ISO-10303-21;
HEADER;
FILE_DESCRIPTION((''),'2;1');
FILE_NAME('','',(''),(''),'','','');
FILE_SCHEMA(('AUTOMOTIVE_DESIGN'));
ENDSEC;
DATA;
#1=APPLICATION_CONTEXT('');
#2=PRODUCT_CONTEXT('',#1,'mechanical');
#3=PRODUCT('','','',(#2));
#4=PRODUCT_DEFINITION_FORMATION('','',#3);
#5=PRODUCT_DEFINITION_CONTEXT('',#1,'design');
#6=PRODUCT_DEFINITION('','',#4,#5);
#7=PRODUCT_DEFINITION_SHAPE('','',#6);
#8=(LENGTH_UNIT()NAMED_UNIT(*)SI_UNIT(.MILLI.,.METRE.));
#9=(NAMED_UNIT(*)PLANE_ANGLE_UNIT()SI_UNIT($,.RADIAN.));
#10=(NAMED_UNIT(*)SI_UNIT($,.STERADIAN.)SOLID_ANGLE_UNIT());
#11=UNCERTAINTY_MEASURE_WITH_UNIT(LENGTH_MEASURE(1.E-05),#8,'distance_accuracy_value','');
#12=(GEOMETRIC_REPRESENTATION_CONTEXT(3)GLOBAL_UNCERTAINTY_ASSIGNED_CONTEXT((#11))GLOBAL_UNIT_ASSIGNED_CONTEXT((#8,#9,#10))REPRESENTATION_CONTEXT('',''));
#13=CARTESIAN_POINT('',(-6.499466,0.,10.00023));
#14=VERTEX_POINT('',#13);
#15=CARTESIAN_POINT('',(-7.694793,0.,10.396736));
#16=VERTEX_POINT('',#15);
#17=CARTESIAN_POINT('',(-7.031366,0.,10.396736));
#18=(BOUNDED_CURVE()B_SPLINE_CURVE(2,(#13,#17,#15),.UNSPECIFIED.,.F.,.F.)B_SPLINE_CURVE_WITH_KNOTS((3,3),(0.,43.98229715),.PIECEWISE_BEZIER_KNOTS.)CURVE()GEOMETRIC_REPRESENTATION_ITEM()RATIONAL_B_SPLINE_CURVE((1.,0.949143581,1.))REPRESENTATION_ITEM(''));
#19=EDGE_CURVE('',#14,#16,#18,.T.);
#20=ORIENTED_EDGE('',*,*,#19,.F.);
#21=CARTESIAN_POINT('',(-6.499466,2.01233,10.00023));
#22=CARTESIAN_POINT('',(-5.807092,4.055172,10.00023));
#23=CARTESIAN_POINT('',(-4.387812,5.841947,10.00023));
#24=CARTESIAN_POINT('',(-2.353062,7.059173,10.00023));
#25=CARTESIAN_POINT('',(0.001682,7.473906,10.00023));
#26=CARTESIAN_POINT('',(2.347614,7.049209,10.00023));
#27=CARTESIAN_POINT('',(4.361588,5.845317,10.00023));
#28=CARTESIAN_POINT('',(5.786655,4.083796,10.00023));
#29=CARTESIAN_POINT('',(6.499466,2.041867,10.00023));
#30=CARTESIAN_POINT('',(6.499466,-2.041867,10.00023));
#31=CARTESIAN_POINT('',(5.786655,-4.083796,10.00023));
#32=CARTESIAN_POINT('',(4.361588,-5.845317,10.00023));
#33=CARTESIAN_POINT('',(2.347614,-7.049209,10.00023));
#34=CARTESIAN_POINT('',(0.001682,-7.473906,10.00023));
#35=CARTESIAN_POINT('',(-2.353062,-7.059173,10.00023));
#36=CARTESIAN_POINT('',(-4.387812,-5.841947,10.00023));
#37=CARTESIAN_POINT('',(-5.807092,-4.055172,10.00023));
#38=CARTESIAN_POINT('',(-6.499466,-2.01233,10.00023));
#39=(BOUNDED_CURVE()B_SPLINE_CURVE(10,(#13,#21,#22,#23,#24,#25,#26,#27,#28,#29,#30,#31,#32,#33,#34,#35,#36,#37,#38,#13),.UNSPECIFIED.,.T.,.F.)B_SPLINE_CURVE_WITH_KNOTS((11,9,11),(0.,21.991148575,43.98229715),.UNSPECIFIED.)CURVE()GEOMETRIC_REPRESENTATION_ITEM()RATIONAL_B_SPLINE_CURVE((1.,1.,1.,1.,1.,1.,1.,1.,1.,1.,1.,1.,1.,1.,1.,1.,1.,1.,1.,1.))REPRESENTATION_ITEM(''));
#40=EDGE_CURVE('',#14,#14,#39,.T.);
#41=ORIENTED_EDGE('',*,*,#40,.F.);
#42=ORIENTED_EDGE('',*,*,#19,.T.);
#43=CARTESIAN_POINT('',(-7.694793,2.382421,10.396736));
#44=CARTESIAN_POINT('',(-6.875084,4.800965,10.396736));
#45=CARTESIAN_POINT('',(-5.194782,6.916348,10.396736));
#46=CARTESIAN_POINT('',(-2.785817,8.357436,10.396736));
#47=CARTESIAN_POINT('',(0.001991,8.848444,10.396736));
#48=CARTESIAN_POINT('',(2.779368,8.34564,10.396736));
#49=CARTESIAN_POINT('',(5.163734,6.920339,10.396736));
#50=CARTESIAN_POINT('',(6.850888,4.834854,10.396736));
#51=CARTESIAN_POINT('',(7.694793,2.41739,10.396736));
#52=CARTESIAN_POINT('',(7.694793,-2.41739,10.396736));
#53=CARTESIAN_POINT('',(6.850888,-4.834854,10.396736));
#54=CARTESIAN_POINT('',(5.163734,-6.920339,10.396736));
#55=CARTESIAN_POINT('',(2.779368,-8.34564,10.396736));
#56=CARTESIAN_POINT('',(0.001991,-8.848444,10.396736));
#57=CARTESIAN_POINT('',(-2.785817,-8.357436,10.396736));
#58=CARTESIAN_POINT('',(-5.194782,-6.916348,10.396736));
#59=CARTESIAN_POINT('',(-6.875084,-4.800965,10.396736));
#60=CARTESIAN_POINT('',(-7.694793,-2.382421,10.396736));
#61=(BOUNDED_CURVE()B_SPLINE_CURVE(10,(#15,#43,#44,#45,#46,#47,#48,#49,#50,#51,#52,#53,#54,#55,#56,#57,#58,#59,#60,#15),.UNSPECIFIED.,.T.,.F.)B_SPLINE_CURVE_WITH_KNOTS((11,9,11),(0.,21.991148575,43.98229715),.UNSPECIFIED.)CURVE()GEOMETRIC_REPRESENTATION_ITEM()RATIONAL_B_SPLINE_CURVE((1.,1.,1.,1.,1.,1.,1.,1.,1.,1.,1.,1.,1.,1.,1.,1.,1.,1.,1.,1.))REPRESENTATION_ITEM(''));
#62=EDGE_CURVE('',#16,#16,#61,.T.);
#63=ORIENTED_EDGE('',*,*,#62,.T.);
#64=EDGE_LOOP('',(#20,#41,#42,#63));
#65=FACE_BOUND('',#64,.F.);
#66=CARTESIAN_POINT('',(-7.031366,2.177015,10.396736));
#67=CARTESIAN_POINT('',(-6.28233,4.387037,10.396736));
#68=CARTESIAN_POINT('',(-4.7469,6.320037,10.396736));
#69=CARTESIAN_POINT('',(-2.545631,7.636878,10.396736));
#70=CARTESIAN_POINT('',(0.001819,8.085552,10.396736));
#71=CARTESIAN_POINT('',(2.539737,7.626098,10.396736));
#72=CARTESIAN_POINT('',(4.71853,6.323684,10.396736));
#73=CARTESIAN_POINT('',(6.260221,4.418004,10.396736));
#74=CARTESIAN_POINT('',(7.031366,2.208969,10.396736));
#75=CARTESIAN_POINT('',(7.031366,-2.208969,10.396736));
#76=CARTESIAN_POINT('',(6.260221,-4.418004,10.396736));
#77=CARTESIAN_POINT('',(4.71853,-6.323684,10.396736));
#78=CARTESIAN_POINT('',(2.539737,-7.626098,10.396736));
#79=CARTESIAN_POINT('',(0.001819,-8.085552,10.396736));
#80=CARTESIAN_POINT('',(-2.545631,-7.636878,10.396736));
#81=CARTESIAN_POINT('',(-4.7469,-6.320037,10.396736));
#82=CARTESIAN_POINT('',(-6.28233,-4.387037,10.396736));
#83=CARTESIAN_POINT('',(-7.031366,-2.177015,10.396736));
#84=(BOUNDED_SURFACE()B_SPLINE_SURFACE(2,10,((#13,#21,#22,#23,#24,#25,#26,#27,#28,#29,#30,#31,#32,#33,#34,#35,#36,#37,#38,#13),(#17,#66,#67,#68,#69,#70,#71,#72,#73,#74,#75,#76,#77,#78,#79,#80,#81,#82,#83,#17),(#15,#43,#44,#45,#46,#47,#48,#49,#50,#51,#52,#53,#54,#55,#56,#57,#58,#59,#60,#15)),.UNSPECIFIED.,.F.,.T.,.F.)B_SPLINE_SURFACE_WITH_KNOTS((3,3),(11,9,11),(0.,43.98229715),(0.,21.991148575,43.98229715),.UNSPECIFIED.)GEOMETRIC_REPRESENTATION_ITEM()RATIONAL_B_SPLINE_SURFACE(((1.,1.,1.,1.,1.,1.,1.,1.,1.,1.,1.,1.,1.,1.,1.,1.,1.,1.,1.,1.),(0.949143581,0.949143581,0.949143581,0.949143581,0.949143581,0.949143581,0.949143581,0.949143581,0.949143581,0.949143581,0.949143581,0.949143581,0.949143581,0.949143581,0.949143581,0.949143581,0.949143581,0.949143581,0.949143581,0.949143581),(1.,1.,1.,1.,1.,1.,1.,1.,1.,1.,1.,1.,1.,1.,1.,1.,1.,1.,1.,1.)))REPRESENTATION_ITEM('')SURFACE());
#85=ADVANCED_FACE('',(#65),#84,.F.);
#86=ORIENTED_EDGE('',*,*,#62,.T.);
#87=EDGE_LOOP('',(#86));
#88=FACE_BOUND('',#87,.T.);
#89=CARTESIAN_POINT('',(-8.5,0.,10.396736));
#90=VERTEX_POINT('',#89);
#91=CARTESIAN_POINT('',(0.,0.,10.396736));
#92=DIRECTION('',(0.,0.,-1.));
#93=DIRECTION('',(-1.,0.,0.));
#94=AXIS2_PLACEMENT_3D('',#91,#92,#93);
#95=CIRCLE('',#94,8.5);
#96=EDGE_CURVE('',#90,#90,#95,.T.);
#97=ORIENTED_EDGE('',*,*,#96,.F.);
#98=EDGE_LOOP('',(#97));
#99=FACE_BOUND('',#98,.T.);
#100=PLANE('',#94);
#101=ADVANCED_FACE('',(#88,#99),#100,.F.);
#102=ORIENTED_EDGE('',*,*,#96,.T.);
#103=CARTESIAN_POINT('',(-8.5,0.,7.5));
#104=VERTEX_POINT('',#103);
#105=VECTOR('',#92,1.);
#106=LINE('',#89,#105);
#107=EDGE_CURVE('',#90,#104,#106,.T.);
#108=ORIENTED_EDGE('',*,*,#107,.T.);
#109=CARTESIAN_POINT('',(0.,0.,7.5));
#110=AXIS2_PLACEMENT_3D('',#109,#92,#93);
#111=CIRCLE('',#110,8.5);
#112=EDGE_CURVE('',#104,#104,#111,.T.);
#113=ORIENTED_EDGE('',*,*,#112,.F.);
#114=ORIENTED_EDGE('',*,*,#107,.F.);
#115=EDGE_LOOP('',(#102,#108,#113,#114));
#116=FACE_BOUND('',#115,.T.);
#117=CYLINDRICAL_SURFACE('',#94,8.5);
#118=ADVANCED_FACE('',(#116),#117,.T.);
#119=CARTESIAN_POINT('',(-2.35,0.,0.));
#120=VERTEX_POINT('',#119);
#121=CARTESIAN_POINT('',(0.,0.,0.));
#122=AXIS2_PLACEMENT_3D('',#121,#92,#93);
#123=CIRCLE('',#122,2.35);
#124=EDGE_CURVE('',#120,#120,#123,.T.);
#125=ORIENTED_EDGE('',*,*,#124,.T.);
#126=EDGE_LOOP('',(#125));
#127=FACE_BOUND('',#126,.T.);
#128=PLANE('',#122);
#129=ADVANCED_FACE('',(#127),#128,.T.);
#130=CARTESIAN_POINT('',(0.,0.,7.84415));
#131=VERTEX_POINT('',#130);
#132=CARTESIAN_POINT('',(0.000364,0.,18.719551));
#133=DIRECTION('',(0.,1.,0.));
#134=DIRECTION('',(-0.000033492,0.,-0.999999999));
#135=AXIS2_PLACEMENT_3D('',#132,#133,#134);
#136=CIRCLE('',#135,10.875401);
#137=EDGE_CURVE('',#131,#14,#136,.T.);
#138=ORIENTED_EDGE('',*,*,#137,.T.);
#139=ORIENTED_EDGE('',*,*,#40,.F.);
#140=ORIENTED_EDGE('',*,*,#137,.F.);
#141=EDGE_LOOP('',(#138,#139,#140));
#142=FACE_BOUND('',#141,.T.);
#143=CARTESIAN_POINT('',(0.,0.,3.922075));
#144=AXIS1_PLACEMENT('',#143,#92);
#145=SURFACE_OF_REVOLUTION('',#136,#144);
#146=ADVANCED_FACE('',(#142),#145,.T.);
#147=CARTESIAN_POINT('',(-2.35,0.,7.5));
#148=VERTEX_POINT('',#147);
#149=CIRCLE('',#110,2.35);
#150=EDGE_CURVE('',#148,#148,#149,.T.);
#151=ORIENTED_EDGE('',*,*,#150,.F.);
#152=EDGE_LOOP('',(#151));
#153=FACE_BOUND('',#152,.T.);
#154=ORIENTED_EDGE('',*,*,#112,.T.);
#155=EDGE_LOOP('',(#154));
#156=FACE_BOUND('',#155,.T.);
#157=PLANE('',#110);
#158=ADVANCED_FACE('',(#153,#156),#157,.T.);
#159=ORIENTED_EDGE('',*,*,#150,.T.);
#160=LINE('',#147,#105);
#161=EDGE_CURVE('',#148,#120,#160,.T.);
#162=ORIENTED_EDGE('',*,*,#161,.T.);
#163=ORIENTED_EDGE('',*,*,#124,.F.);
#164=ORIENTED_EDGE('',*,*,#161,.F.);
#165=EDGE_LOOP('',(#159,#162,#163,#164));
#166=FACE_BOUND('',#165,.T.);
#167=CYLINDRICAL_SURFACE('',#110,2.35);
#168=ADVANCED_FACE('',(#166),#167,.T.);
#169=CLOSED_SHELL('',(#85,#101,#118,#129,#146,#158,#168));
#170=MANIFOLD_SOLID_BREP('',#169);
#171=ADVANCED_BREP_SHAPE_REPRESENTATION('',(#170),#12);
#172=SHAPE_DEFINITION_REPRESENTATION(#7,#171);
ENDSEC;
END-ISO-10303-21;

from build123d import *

# Parameters (mm, degrees)
F2_R = 2


with BuildPart() as f1:
    # F0 (on Front) → F1 (revolve)
    with BuildSketch(Plane.XZ):
        with BuildLine():
            Line((-2.35, 0), (0, 0))
            Line((0, 0), (0, 7.84415))
            ThreePointArc((0, 7.84415), (-3.725421, 8.502268), (-7, 10.396736))
            Line((-7, 10.396736), (-8.5, 10.396736))
            Line((-8.5, 10.396736), (-8.5, 7.5))
            Line((-8.5, 7.5), (-2.35, 7.5))
            Line((-2.35, 7.5), (-2.35, 0))
        make_face()
    revolve(axis=Axis((0, 0, 3.922075), (0, 0, -1)))

    # F2
    f2_edges = [f1.edges().sort_by_distance(p)[0] for p in [
        (7, 0, 10.396736),
    ]]
    fillet(f2_edges, radius=F2_R)


solid = f1.part
